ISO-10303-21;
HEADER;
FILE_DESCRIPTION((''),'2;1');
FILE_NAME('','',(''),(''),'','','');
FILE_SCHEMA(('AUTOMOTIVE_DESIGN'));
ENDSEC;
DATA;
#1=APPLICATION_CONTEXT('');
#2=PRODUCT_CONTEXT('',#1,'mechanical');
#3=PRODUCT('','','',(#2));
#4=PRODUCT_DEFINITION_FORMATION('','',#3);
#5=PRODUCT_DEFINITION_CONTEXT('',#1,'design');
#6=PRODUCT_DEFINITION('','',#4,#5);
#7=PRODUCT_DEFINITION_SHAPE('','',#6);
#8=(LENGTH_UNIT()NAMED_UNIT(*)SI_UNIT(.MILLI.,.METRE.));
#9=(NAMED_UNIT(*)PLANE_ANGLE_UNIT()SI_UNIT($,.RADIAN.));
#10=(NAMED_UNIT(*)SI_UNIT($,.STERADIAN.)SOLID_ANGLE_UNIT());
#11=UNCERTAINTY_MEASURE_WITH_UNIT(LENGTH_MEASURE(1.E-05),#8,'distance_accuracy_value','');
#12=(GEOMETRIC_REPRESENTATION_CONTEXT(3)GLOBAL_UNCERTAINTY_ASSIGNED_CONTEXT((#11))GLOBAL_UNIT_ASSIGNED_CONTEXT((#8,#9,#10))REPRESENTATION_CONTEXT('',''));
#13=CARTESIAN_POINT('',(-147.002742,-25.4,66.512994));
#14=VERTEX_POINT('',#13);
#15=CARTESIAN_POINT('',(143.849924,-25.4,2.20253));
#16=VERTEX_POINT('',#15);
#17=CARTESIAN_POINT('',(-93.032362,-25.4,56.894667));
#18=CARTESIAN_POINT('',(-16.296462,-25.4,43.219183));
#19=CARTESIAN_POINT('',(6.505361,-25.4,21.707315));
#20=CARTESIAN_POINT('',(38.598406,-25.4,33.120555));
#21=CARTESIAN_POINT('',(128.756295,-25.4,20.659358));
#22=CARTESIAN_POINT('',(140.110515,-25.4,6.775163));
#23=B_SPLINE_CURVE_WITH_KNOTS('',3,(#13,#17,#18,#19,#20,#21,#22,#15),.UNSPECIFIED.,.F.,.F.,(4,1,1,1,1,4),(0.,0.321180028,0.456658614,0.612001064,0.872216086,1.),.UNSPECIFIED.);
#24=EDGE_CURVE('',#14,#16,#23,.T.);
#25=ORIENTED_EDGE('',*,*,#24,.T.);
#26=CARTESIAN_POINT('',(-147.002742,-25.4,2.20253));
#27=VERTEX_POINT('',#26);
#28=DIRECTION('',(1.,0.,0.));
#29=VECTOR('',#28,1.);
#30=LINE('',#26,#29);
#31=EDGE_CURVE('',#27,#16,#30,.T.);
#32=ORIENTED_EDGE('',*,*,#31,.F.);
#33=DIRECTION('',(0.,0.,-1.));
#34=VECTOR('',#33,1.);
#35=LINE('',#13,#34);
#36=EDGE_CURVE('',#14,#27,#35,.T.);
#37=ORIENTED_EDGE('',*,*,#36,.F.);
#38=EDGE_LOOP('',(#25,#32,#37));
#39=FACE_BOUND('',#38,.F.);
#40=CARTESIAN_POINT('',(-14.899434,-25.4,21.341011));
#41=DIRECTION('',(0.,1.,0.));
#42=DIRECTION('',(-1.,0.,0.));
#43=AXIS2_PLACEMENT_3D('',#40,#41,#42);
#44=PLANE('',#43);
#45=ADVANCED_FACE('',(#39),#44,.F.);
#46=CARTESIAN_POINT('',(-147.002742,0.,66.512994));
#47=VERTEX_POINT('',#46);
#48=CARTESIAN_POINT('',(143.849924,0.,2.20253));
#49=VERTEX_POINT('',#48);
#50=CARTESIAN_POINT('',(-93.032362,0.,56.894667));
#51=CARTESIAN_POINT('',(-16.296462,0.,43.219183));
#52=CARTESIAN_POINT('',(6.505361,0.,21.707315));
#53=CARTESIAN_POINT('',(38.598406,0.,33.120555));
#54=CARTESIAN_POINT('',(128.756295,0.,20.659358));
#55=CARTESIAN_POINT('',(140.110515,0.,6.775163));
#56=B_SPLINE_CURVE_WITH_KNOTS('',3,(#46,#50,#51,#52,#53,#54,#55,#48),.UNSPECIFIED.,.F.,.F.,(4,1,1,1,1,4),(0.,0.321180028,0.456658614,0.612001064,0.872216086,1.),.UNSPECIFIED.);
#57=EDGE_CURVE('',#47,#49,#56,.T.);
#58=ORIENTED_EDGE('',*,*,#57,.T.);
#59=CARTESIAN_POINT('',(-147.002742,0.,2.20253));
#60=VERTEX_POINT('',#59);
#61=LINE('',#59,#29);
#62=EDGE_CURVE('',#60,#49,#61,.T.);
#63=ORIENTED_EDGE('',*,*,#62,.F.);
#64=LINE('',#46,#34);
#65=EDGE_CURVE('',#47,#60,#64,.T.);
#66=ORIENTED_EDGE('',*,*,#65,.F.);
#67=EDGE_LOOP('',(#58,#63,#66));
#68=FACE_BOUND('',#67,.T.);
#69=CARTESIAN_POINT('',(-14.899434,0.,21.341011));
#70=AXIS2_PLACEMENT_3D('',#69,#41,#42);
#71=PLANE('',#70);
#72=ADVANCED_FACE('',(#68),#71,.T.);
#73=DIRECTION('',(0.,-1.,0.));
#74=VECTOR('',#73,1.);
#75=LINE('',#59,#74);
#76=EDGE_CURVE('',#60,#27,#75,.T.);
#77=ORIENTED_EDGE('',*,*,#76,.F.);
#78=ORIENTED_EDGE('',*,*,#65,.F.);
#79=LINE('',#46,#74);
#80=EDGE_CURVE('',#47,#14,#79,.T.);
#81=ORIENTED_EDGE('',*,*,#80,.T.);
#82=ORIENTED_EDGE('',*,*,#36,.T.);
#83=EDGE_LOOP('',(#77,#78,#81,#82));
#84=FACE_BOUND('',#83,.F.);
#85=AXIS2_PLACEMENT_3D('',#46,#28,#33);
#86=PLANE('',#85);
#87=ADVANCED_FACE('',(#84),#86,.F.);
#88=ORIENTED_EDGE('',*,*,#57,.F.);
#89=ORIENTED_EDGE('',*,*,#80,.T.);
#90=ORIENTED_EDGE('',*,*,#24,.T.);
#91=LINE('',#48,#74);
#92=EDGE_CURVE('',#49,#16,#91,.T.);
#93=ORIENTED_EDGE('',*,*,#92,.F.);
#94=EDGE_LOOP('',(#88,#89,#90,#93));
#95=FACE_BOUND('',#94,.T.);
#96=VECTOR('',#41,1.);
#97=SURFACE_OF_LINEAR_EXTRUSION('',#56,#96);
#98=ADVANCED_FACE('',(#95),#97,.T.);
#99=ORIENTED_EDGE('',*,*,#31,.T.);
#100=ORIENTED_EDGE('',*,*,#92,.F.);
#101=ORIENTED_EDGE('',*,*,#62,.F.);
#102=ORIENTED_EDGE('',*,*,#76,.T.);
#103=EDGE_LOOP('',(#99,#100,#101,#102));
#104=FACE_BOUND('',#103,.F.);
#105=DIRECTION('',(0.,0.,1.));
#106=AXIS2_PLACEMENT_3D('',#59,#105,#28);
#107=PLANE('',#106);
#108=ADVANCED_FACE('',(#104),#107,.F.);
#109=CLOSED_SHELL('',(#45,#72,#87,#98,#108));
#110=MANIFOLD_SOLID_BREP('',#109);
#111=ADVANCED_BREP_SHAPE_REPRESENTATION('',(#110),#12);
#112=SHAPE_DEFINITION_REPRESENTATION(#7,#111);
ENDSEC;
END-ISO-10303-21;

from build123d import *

# Parameters (mm, degrees)
F1_DEPTH = 25.4


with BuildPart() as f1:
    # F0 (on Front) → F1 (new body)
    with BuildSketch(Plane.XZ):
        with BuildLine():
            add(Edge.make_bspline(
                [(-147.0027416945, 66.5129942576), (-93.0323623806, 56.8946666171), (-16.2964620921, 43.2191831362), (6.5053614045, 21.707314838), (38.5984057984, 33.1205551445), (128.7562946816, 20.6593576563), (140.110515157, 6.7751631135), (143.8499242067, 2.2025301587)],
                knots=[0, 0, 0, 0, 0.3211800281, 0.456658614, 0.612001064, 0.872216086, 1, 1, 1, 1], degree=3))
            Line((-147.0027416945, 66.5129942576), (-147.0027416945, 2.2025301587))
            Line((-147.0027416945, 2.2025301587), (143.8499242067, 2.2025301587))
        make_face()
    extrude(amount=F1_DEPTH)


solid = f1.part
